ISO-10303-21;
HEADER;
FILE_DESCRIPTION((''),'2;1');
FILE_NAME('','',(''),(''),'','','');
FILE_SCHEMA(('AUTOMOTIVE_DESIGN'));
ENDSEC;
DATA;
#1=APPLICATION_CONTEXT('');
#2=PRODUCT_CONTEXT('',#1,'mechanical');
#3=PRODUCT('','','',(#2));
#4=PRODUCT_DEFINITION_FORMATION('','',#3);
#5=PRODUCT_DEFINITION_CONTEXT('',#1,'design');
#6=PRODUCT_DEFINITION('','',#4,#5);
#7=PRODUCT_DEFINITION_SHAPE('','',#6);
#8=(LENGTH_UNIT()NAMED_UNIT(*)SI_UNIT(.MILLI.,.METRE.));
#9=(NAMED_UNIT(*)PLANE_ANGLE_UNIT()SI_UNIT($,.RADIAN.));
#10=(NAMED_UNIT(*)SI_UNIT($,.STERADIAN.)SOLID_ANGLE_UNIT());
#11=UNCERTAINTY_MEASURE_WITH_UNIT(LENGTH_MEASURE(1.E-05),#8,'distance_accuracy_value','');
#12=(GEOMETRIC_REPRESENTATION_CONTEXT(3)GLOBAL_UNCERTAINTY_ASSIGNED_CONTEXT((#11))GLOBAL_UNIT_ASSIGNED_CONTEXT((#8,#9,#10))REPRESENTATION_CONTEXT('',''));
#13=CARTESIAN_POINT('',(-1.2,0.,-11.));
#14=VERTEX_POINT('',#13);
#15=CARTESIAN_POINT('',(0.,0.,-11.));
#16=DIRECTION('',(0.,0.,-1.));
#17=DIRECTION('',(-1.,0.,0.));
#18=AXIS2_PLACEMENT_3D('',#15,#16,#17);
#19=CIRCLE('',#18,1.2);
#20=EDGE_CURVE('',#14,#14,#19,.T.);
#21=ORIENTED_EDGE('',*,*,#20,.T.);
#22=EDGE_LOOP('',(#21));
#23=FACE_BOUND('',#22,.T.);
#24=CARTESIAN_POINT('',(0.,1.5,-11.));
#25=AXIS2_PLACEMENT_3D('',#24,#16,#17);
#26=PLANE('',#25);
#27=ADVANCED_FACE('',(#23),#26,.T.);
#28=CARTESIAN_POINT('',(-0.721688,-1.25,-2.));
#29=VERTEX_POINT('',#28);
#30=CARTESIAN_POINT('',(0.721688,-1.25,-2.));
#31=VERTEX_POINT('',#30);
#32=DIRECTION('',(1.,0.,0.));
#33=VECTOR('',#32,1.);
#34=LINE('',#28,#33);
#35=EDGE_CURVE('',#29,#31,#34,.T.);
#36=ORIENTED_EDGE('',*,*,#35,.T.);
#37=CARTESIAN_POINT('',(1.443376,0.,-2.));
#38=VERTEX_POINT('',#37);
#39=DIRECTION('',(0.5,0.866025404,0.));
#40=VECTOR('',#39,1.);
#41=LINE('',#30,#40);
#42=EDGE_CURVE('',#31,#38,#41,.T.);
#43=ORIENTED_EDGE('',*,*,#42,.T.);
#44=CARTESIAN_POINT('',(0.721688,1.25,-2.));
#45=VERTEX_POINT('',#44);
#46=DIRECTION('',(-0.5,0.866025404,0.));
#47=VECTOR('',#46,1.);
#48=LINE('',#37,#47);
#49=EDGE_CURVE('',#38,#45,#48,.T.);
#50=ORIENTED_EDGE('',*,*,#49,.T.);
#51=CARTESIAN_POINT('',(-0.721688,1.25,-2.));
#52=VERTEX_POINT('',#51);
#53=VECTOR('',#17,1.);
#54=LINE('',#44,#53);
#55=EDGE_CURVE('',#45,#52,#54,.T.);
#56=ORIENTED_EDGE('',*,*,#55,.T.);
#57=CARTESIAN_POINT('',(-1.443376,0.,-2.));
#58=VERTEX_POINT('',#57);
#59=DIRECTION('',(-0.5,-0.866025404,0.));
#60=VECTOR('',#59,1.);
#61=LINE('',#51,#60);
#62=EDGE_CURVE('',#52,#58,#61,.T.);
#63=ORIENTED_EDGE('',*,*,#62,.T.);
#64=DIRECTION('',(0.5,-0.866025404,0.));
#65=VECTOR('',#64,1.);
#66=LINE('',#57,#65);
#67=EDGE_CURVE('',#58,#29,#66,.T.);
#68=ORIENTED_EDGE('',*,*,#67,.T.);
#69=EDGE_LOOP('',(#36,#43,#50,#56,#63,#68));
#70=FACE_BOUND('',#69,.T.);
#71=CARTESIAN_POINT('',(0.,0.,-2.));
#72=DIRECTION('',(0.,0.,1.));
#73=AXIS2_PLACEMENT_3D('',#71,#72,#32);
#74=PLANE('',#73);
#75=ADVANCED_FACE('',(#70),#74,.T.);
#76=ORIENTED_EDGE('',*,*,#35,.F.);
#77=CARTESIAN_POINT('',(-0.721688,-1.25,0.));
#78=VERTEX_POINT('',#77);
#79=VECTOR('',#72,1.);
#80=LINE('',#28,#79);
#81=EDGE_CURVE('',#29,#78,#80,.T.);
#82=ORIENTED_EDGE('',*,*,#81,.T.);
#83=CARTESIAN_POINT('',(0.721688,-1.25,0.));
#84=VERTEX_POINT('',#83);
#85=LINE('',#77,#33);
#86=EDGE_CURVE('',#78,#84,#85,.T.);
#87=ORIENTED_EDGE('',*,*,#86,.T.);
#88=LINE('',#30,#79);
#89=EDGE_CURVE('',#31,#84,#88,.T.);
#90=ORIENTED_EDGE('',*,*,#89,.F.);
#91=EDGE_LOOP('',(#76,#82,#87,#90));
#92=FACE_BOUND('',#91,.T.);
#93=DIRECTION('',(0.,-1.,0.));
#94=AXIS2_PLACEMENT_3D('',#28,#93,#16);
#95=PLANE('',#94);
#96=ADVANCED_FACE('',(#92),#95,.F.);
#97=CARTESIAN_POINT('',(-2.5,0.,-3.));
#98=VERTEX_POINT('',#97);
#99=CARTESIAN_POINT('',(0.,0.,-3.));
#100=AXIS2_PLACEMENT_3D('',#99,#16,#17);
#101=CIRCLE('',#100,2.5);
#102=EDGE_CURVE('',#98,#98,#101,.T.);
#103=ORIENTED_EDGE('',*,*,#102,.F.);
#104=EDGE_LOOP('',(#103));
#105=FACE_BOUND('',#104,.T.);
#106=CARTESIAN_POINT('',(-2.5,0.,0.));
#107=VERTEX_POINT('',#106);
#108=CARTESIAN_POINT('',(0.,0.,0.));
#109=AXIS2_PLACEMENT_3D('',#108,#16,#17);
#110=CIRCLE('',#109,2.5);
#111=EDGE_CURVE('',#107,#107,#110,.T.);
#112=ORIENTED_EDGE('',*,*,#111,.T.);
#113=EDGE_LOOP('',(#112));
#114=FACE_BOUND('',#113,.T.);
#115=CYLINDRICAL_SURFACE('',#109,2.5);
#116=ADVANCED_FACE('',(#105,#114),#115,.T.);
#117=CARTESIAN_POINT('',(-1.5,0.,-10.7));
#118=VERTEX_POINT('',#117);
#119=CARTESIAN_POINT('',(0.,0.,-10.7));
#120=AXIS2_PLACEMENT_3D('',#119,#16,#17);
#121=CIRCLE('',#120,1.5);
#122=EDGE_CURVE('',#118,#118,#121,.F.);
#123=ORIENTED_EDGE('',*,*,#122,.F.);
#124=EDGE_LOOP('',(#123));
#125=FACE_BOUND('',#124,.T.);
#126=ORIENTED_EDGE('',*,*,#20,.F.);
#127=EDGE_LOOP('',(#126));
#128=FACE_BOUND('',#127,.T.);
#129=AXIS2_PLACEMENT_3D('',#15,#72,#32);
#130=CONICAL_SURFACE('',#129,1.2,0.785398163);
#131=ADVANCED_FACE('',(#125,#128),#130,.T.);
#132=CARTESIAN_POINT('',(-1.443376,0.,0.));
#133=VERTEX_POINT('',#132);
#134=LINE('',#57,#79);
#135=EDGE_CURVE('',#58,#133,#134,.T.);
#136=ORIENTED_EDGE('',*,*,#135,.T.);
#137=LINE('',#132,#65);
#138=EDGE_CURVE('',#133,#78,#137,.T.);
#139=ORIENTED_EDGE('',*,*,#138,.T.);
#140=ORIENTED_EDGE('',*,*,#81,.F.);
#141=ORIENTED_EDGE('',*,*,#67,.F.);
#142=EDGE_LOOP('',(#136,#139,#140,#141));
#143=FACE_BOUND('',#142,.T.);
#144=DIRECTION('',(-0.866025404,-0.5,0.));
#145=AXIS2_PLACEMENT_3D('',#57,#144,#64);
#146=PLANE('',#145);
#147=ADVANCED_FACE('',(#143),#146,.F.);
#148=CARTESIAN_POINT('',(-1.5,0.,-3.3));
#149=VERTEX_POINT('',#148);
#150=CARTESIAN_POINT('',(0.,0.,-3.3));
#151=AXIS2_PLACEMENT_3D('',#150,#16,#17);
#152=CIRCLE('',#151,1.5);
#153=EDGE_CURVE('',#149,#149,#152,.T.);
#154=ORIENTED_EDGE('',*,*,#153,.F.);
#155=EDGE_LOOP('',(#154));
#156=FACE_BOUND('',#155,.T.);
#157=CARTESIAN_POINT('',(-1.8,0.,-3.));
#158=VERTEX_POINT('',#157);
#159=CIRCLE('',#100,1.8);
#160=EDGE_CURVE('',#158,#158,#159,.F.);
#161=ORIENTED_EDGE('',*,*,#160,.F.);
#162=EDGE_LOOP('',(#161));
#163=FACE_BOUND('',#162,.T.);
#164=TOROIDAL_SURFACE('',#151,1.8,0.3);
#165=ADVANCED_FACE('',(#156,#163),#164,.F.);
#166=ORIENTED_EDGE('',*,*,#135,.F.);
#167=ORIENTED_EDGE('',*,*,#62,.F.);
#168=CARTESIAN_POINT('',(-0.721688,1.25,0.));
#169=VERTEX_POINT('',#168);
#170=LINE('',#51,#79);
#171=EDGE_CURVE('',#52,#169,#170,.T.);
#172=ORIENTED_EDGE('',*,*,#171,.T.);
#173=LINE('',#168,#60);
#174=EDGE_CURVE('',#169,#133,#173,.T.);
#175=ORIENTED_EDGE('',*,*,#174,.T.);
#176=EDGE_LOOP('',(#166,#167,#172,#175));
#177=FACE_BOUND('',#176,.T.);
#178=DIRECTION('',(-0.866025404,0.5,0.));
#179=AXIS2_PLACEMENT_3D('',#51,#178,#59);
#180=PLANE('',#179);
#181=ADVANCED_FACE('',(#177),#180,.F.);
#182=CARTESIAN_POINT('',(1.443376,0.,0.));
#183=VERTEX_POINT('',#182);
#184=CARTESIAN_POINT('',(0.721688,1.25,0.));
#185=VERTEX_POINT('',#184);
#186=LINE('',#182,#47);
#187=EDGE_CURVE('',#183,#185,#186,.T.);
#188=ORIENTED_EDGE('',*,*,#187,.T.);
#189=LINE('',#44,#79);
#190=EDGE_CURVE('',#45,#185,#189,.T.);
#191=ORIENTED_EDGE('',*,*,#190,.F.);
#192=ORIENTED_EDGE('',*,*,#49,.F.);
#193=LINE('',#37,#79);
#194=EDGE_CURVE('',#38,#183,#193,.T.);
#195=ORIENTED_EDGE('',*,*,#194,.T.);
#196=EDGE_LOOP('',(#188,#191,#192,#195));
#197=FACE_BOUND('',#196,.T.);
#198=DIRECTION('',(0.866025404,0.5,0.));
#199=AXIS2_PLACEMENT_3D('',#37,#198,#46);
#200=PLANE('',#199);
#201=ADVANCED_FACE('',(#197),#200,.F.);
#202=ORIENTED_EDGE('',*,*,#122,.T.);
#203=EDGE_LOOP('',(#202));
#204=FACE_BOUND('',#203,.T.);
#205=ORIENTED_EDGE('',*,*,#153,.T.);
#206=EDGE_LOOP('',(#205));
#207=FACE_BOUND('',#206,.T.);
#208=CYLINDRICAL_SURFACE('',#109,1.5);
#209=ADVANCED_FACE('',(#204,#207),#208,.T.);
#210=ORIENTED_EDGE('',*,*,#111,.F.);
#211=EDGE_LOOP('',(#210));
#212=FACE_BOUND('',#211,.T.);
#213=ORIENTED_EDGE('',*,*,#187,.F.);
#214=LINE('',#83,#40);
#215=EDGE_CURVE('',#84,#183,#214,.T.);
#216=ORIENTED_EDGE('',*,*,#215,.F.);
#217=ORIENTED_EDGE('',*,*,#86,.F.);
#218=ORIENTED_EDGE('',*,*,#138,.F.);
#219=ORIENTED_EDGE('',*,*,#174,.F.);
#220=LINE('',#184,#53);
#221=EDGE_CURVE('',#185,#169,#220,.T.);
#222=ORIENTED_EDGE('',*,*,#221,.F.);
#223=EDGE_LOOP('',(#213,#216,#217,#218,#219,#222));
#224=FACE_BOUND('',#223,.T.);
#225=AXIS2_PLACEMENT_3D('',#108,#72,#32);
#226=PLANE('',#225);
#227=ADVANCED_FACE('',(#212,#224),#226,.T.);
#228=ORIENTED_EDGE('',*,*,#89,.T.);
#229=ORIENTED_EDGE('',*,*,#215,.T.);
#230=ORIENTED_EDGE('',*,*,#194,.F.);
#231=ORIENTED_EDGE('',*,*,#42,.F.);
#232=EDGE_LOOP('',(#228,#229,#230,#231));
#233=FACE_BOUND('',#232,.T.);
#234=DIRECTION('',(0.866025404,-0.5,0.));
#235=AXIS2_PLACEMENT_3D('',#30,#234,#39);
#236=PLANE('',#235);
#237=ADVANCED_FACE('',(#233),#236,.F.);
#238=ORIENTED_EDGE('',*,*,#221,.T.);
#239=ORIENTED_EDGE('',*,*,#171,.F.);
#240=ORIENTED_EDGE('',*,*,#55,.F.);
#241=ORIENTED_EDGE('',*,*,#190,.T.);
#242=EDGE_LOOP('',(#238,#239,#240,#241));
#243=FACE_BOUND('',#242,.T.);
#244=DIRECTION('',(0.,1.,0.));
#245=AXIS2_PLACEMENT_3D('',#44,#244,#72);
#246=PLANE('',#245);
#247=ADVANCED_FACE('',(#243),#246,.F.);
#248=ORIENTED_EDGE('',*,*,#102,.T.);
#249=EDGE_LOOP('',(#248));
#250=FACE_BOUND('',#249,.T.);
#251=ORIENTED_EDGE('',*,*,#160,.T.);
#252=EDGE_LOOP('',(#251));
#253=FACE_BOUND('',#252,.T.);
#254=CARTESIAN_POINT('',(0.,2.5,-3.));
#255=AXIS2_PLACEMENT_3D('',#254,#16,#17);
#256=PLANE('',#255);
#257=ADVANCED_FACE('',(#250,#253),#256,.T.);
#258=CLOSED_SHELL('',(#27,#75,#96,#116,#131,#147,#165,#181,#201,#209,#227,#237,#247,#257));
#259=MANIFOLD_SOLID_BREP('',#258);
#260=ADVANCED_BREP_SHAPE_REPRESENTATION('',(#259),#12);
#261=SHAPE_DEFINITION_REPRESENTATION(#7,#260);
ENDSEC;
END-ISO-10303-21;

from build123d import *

# Parameters (mm, degrees)
CUT_EXTRUDE_1_DEPTH = 2
FILLET_1_R          = 0.3
CHAMFER_1_SIZE      = 0.3


with BuildPart() as part:
    # Эскиз1 → Повернуть1 (revolve)
    with BuildSketch(Plane(origin=(0, 0, 0), x_dir=(0, 0, -1), z_dir=(1, 0, 0)), mode=Mode.PRIVATE) as revolve_1_sk:
        Polygon((0, 0), (0, 2.5), (3, 2.5), (3, 1.5), (11, 1.5), (11, 0), align=None)
    revolve(revolve_1_sk.sketch.rotate(Axis((0, 0, 0), (0, 0, 1)), 90), axis=Axis((0, 0, 0), (0, 0, 1)))

    # Эскиз2 → Вырез-Вытянуть1 (cut)
    with BuildSketch(Plane.XY):
        Polygon((1.443375673, 0), (0.721687836, 1.25), (-0.721687836, 1.25), (-1.443375673, 0), (-0.721687836, -1.25), (0.721687836, -1.25), align=None)
    extrude(amount=-CUT_EXTRUDE_1_DEPTH, mode=Mode.SUBTRACT)

    # Скругление1
    fillet_1_edges = [part.edges().sort_by_distance(p)[0] for p in [
        (1.5, 0, -3),
    ]]
    fillet(fillet_1_edges, radius=FILLET_1_R)

    # Фаска1
    chamfer_1_edges = [part.edges().sort_by_distance(p)[0] for p in [
        (1.5, 0, -11),
    ]]
    chamfer(chamfer_1_edges, length=CHAMFER_1_SIZE)


solid = part.part
